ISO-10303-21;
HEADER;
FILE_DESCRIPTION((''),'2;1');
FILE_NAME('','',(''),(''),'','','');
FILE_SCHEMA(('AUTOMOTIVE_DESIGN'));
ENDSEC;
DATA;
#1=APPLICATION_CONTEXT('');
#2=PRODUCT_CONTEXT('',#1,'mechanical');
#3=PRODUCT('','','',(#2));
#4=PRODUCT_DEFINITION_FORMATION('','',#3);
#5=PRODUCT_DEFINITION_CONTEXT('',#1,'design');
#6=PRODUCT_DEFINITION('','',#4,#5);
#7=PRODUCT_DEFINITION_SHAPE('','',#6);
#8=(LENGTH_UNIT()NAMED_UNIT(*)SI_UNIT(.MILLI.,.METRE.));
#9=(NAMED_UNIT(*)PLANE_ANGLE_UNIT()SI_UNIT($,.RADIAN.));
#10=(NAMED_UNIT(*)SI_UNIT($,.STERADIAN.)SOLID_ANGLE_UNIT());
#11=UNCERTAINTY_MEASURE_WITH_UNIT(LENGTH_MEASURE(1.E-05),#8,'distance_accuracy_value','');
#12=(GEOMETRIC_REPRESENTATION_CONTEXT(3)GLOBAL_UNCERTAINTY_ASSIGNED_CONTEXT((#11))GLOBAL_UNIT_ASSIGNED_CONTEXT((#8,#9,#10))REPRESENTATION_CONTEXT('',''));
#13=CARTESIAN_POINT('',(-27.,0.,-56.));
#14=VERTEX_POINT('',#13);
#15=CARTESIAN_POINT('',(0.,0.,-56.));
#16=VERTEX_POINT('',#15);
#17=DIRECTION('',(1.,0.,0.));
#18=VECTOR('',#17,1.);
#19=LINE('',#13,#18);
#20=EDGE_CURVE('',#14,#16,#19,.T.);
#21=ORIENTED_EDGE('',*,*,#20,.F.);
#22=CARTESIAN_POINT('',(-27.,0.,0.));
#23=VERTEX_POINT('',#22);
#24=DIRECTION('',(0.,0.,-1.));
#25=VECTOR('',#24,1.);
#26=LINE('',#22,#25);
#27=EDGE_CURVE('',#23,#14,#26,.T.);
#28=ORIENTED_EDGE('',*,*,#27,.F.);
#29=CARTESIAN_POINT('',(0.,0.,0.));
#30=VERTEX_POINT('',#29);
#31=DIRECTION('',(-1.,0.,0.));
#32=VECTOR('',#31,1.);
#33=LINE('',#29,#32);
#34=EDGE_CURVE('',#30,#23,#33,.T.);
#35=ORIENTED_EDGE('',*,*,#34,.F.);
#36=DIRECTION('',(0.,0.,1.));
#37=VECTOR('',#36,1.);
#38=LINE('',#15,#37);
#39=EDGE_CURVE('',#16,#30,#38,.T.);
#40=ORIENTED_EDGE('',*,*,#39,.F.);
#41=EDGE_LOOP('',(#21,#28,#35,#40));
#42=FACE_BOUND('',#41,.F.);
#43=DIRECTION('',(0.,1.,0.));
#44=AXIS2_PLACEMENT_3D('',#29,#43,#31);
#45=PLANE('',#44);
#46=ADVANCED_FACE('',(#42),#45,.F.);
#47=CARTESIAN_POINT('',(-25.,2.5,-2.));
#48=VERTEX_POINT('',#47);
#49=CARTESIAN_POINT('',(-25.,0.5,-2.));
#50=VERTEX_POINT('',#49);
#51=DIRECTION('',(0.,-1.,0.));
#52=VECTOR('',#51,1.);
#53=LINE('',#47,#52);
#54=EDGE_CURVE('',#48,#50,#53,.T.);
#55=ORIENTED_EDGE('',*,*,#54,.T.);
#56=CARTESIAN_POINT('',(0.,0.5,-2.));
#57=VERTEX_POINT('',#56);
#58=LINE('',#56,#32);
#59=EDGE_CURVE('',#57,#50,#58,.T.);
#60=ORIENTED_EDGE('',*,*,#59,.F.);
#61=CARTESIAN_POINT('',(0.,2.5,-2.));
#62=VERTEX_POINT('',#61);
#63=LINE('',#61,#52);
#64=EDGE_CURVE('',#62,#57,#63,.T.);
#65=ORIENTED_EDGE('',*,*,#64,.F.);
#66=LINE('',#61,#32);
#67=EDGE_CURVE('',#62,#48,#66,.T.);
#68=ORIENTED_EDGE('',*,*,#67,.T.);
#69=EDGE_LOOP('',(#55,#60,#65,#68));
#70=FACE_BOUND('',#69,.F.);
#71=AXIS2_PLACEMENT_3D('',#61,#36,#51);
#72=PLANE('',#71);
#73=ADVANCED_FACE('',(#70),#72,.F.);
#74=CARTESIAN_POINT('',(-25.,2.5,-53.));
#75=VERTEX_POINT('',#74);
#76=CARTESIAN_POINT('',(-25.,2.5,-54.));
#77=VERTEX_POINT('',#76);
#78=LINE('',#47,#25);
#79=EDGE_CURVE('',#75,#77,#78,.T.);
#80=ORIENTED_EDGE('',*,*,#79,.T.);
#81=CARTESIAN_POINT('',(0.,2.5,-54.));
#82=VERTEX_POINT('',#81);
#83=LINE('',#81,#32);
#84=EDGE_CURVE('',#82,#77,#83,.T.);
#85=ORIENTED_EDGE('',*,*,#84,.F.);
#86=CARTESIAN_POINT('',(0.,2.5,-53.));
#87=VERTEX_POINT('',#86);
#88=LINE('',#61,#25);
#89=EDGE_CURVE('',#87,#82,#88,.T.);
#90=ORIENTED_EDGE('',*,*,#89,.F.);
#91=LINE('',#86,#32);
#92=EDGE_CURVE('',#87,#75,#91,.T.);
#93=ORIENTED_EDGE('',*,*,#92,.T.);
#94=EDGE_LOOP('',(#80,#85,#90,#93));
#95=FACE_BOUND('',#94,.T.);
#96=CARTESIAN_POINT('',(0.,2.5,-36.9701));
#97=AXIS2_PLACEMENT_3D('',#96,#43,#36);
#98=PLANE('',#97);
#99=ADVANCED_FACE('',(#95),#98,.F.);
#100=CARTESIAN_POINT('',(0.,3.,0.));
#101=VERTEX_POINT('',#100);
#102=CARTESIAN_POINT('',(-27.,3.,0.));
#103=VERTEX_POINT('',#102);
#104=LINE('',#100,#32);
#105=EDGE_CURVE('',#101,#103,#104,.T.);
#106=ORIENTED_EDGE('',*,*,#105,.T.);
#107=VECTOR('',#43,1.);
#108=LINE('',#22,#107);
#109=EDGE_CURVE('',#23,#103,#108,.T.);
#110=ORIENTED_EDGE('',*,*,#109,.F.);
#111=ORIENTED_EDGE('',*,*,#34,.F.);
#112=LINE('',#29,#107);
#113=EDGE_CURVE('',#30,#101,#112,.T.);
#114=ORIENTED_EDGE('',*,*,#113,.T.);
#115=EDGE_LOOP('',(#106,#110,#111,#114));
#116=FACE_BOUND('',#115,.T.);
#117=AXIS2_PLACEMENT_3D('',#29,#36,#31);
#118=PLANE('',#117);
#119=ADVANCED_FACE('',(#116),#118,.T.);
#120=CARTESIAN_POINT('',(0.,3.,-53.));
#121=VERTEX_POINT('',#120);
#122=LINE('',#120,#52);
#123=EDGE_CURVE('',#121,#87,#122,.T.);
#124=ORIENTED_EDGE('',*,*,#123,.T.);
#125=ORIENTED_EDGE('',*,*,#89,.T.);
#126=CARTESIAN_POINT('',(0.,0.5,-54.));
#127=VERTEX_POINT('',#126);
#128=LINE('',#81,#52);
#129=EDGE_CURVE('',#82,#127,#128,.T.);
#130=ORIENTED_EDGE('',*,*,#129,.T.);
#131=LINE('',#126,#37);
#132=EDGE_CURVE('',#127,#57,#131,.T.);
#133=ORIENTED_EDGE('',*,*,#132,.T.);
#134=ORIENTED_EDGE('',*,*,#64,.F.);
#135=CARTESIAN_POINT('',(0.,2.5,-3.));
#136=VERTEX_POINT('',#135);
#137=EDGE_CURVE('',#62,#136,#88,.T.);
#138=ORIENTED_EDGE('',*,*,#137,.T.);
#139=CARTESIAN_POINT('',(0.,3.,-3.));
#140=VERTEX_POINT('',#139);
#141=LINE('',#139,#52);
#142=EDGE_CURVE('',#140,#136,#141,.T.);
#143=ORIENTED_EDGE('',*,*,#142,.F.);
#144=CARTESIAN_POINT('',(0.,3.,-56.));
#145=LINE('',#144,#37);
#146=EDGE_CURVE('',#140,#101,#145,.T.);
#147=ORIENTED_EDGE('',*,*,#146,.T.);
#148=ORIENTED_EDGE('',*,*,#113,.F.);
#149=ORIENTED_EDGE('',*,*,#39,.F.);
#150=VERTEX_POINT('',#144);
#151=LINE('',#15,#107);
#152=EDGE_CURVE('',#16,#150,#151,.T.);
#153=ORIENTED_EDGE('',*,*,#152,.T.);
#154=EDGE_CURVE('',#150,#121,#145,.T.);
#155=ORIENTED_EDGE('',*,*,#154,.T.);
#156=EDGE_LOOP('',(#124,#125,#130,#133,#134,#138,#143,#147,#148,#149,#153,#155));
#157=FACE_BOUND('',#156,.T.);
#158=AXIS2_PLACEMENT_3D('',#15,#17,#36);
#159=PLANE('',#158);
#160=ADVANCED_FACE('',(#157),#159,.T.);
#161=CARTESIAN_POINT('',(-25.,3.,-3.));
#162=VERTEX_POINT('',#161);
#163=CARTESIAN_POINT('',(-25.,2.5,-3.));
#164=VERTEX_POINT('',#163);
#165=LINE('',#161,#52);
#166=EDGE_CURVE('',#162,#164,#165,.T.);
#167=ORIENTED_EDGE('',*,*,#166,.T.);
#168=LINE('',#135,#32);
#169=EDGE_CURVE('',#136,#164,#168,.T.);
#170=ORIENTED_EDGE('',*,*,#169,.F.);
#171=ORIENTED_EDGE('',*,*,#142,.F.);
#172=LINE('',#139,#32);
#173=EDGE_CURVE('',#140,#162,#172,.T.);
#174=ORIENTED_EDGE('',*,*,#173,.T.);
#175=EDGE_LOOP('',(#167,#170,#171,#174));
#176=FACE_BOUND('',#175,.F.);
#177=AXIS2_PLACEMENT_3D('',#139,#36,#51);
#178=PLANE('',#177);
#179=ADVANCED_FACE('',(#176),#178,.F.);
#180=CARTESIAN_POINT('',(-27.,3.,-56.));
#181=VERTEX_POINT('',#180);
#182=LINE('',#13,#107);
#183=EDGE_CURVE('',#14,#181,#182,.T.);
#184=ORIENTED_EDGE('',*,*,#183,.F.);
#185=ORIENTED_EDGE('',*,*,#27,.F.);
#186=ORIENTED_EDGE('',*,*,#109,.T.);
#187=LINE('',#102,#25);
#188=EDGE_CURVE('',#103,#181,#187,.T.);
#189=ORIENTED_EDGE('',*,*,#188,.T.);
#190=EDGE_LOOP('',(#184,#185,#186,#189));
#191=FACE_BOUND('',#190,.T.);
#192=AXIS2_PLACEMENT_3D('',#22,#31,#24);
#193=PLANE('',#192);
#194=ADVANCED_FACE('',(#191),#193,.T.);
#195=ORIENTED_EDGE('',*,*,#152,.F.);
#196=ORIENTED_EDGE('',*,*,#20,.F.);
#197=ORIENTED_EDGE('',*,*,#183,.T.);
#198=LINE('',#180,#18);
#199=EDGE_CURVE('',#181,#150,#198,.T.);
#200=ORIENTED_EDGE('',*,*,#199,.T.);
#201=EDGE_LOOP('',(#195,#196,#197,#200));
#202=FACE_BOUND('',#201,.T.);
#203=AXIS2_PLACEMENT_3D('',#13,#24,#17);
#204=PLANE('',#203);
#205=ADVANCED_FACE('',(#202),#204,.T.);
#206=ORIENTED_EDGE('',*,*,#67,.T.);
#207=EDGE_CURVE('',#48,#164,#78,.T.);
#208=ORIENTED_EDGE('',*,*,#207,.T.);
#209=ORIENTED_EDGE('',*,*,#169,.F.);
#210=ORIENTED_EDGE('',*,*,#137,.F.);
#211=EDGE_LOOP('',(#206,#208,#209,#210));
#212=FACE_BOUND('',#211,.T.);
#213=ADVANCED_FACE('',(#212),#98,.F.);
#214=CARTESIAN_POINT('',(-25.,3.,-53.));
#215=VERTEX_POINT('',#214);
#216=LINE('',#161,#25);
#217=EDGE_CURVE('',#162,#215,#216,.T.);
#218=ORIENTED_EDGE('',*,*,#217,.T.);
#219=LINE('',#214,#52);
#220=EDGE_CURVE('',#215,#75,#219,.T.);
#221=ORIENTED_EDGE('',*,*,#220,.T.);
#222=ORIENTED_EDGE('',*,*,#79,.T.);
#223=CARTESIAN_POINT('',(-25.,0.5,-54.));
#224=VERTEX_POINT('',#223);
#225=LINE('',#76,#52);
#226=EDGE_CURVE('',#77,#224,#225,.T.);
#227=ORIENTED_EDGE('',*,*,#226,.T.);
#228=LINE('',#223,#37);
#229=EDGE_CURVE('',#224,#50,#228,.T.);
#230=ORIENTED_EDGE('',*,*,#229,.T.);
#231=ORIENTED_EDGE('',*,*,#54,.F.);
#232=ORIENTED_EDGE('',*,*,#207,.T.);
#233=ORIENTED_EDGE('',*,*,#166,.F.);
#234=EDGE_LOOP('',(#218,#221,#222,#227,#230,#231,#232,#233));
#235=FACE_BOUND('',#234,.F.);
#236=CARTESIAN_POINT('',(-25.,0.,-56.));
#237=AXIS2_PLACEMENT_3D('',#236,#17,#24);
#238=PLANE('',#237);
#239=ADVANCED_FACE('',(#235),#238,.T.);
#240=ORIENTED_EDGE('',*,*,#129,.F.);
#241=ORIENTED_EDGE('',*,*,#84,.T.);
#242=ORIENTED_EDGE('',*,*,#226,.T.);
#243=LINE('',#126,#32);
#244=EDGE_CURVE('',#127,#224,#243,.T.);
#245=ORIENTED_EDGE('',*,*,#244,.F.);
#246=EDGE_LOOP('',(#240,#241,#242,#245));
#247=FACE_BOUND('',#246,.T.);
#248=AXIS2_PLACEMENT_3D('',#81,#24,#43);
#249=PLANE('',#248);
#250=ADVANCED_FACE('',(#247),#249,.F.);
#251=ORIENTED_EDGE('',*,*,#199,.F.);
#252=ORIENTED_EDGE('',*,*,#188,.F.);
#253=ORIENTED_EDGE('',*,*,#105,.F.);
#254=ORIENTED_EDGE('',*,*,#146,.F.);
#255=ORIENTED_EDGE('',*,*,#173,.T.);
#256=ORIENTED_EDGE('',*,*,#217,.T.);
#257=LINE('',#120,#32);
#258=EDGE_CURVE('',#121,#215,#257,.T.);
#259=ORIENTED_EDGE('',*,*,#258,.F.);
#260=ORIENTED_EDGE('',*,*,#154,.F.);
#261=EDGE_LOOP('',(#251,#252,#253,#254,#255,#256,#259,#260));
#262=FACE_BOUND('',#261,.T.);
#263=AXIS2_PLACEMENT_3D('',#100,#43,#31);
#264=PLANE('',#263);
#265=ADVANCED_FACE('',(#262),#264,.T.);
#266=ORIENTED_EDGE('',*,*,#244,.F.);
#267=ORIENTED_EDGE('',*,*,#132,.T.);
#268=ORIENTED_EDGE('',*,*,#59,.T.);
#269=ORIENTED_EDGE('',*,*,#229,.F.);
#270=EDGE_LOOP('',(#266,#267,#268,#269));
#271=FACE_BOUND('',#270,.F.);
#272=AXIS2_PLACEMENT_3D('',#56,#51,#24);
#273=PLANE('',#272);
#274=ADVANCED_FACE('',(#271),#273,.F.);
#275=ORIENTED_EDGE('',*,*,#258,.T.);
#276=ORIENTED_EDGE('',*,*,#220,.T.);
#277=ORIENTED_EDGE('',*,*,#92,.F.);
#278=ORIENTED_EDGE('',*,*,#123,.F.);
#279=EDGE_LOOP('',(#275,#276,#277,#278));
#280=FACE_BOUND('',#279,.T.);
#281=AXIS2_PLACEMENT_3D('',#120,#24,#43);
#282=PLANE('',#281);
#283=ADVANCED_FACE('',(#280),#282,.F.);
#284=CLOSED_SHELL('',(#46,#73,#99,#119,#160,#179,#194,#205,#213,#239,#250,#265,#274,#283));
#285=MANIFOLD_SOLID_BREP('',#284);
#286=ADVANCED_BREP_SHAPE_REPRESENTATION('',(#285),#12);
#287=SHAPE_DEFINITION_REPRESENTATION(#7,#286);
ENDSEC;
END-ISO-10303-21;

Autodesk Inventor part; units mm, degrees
ref_plane "YZ Plane" through (0, 0, 0) normal (1, 0, 0) x (0, 1, 0)
ref_plane "XZ Plane" through (0, 0, 0) normal (0, 1, 0) x (-1, 0, 0)
ref_plane "XY Plane" through (0, 0, 0) normal (0, 0, 1) x (1, 0, 0)
sketch "草图1" plane through (0, 0, 0) normal (0, 1, 0) x (-1, 0, 0)
  line L0 (0, 0) -> (27, 0)
  line L1 (27, 0) -> (27, -56)
  line L2 (27, -56) -> (0, -56)
  line L3 (0, -56) -> (0, 0)
  dimension "d0" = 27
  dimension "d1" = 56
extrude "拉伸1" add sketch "草图1" along normal blind 3
sketch "草图2" plane through (0, 0, 0) normal (1, 0, 0) x (0, 0, -1)
  line L0 (56, 3) -> (0, 3) projected
  line L1 (28, 3) -> (28, -4.4631)
  line L2 (19.0299, 3) -> (19.0299, 2.5)
  line L3 (28, 2.5) -> (2, 2.5)
  line L4 (2, 2.5) -> (2, 0.5)
  line L5 (2, 0.5) -> (28, 0.5)
  line L6 (28, 0.5) -> (28, 2.5)
  point P0 (0, 0)
  dimension "d4" = 0.5
  dimension "d5" = 26
  dimension "d6" = 2
extrude "拉伸2" cut sketch "草图2" against normal blind 25 contours L1 L5 L4 L3
mirror "镜像1" about plane through (0, 2.5, -28) normal (0, 0, 1) of "拉伸2"
sketch "草图3" plane through (0, 0, 0) normal (1, 0, 0) x (0, 0, -1)
  point P0 (0, 0)
sketch "草图4" plane through (0, 0, 0) normal (1, 0, 0) x (0, 0, -1)
  line L0 (56, 3) -> (0, 3) projected
  line L1 (28, 3) -> (28, -1.1507)
  line L2 (28, 3) -> (3, 3)
  line L3 (3, 3) -> (3, 2.5)
  line L4 (54, 2.5) -> (2, 2.5) projected
  line L5 (0, 0) -> (56, 0) projected
  line L6 (56, 0) -> (56, 3) projected
  line L7 (0, 3) -> (56, 3) projected
  line L8 (0, 0) -> (0, 3) projected
  line L9 (2, 2.5) -> (54, 2.5) projected
  line L10 (54, 2.5) -> (54, 0.5) projected
  line L11 (54, 0.5) -> (2, 0.5) projected
  line L12 (2, 0.5) -> (2, 2.5) projected
  point P0 (28, 2.5)
  dimension "d9" = 25
extrude "拉伸3" cut sketch "草图4" against normal blind 25 contours L1 L4 L3 L0
mirror "镜像2" about plane through (0, 3, -28) normal (0, 0, 1) of "拉伸3"
